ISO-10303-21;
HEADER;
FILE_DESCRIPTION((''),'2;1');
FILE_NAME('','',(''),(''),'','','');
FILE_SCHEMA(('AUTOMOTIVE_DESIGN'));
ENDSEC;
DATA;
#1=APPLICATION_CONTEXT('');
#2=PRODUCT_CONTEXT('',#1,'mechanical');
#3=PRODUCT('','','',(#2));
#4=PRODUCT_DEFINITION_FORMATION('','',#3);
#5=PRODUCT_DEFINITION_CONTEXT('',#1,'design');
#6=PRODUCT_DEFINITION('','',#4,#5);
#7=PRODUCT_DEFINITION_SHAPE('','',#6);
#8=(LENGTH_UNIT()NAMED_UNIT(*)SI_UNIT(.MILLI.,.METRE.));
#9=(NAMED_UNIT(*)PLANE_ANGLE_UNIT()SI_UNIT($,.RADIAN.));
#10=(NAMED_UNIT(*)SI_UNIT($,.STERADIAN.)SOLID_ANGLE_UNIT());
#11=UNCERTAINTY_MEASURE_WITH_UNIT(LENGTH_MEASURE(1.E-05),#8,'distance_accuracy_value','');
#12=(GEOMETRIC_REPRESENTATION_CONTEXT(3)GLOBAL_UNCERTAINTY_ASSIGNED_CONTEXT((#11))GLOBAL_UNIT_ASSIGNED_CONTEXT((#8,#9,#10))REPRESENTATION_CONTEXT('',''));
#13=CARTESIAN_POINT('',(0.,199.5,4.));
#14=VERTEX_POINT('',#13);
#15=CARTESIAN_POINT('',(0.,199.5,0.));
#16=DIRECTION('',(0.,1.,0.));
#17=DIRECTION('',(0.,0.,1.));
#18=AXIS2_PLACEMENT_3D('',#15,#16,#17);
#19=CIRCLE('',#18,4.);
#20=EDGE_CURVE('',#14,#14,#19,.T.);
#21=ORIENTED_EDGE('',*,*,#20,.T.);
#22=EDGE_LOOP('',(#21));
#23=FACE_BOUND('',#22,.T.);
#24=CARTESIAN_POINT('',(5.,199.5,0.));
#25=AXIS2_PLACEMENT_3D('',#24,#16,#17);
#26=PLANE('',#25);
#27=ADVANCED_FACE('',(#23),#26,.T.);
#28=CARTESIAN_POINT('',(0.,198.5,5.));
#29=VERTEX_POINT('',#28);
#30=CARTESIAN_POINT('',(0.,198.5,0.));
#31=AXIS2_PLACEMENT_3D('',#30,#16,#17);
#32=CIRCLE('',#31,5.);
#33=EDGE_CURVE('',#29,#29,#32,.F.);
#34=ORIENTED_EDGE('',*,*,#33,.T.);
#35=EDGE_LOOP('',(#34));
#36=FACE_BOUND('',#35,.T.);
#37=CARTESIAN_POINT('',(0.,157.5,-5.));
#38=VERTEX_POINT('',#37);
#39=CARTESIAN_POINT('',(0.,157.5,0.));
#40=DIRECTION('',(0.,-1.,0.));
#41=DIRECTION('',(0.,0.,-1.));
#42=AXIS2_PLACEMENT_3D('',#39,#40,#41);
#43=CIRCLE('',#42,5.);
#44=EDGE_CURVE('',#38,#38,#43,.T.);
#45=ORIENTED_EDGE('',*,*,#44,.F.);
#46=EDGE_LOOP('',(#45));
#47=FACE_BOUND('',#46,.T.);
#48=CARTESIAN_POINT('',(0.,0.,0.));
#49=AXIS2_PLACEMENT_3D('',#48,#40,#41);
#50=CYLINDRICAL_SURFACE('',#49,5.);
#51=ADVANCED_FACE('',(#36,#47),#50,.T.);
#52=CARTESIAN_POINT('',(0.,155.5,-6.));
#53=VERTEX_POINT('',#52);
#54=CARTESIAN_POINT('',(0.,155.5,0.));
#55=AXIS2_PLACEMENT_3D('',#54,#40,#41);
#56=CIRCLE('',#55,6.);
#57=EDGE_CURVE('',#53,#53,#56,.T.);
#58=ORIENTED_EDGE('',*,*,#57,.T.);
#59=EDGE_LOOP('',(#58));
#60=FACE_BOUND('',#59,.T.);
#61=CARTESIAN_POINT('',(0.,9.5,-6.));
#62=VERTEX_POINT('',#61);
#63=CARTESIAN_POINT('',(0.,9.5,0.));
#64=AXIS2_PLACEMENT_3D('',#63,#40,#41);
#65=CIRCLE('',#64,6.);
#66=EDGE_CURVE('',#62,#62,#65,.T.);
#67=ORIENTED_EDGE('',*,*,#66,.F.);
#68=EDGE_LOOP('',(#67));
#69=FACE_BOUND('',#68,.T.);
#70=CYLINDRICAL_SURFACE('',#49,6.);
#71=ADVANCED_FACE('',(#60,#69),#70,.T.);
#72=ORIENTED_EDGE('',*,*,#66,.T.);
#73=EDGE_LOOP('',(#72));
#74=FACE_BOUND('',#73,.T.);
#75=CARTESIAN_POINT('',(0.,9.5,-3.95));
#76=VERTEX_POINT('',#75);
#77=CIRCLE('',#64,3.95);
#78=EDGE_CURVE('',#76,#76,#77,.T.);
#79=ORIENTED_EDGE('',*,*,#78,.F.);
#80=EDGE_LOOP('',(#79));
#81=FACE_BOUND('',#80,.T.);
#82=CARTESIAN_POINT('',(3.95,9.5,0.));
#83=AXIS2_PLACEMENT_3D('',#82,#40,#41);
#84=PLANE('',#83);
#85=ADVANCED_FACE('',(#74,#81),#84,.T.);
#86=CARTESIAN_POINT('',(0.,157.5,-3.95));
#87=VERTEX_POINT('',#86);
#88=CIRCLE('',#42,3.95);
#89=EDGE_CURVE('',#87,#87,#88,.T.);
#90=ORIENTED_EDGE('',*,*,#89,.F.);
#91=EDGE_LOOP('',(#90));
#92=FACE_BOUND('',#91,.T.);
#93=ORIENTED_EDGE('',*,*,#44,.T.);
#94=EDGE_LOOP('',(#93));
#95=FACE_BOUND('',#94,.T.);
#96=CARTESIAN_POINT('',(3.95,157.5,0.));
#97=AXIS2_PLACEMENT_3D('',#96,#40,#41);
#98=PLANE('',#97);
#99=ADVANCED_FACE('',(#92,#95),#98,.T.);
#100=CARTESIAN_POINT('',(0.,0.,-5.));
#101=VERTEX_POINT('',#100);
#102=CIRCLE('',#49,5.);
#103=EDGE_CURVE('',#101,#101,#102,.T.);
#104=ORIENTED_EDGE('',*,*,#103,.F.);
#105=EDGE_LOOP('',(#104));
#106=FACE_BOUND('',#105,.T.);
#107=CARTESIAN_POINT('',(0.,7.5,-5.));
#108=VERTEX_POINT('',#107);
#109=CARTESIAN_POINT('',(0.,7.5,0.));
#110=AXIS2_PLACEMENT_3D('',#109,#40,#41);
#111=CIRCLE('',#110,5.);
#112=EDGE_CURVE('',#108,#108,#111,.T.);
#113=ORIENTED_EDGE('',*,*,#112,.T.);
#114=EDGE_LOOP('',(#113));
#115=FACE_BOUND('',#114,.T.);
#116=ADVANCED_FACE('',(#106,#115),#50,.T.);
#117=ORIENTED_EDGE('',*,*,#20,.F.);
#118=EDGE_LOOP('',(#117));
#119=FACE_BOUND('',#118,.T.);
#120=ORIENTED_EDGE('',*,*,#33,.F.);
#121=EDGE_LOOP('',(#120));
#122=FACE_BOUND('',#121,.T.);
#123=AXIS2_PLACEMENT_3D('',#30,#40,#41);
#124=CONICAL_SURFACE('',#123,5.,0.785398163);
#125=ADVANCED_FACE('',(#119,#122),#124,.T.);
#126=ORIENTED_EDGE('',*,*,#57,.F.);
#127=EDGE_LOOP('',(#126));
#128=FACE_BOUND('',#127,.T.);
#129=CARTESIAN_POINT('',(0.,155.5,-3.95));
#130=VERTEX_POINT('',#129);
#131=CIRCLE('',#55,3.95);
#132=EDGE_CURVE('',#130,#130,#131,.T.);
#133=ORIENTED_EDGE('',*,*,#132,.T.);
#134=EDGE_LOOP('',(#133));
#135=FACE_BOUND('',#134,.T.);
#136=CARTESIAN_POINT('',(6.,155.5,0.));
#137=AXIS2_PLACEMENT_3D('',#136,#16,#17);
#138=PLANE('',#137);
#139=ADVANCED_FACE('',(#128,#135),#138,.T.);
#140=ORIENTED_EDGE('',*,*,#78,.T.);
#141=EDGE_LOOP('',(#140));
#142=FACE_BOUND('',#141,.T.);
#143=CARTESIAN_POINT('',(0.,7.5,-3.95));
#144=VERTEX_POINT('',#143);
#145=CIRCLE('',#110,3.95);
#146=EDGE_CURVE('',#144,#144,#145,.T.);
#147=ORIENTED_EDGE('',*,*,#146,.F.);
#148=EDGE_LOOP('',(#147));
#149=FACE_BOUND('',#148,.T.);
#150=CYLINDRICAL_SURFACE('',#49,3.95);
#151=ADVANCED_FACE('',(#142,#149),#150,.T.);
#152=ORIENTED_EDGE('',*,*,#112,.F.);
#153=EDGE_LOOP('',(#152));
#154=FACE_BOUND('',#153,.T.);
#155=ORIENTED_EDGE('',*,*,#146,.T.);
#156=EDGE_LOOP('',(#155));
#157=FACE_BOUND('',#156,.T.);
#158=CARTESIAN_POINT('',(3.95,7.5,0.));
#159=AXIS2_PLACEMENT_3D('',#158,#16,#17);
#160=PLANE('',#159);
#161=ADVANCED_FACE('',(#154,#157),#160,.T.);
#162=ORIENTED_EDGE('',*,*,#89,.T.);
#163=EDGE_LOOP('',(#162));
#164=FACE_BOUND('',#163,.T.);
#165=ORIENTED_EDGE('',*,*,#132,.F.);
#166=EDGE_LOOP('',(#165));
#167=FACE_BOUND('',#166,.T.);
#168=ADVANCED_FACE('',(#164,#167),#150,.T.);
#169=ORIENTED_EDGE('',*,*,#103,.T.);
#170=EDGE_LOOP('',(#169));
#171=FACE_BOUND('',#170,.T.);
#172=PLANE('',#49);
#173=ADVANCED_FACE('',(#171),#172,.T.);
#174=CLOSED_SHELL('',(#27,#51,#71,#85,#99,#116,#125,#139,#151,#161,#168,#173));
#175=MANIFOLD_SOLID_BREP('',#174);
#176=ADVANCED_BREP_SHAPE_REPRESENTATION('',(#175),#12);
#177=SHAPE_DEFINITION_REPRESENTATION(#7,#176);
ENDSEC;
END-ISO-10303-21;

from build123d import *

# Parameters (mm, degrees)
CHAMFER1_SIZE = 1


with BuildPart() as part:
    # Sketch1 → Revolve1 (revolve)
    with BuildSketch(Plane.XY, mode=Mode.PRIVATE) as revolve1_sk:
        Polygon((0, 0), (5, 0), (5, 7.5), (3.95, 7.5), (3.95, 9.5), (6, 9.5), (6, 155.5), (3.95, 155.5), (3.95, 157.5), (5, 157.5), (5, 199.5), (0, 199.5), align=None)
    revolve(revolve1_sk.sketch.rotate(Axis((0, 0, 0), (0, 1, 0)), 90), axis=Axis((0, 0, 0), (0, 1, 0)))

    # Chamfer1
    chamfer1_edges = [part.edges().sort_by_distance(p)[0] for p in [
        (0, 199.5, 5),
    ]]
    chamfer(chamfer1_edges, length=CHAMFER1_SIZE)


solid = part.part
